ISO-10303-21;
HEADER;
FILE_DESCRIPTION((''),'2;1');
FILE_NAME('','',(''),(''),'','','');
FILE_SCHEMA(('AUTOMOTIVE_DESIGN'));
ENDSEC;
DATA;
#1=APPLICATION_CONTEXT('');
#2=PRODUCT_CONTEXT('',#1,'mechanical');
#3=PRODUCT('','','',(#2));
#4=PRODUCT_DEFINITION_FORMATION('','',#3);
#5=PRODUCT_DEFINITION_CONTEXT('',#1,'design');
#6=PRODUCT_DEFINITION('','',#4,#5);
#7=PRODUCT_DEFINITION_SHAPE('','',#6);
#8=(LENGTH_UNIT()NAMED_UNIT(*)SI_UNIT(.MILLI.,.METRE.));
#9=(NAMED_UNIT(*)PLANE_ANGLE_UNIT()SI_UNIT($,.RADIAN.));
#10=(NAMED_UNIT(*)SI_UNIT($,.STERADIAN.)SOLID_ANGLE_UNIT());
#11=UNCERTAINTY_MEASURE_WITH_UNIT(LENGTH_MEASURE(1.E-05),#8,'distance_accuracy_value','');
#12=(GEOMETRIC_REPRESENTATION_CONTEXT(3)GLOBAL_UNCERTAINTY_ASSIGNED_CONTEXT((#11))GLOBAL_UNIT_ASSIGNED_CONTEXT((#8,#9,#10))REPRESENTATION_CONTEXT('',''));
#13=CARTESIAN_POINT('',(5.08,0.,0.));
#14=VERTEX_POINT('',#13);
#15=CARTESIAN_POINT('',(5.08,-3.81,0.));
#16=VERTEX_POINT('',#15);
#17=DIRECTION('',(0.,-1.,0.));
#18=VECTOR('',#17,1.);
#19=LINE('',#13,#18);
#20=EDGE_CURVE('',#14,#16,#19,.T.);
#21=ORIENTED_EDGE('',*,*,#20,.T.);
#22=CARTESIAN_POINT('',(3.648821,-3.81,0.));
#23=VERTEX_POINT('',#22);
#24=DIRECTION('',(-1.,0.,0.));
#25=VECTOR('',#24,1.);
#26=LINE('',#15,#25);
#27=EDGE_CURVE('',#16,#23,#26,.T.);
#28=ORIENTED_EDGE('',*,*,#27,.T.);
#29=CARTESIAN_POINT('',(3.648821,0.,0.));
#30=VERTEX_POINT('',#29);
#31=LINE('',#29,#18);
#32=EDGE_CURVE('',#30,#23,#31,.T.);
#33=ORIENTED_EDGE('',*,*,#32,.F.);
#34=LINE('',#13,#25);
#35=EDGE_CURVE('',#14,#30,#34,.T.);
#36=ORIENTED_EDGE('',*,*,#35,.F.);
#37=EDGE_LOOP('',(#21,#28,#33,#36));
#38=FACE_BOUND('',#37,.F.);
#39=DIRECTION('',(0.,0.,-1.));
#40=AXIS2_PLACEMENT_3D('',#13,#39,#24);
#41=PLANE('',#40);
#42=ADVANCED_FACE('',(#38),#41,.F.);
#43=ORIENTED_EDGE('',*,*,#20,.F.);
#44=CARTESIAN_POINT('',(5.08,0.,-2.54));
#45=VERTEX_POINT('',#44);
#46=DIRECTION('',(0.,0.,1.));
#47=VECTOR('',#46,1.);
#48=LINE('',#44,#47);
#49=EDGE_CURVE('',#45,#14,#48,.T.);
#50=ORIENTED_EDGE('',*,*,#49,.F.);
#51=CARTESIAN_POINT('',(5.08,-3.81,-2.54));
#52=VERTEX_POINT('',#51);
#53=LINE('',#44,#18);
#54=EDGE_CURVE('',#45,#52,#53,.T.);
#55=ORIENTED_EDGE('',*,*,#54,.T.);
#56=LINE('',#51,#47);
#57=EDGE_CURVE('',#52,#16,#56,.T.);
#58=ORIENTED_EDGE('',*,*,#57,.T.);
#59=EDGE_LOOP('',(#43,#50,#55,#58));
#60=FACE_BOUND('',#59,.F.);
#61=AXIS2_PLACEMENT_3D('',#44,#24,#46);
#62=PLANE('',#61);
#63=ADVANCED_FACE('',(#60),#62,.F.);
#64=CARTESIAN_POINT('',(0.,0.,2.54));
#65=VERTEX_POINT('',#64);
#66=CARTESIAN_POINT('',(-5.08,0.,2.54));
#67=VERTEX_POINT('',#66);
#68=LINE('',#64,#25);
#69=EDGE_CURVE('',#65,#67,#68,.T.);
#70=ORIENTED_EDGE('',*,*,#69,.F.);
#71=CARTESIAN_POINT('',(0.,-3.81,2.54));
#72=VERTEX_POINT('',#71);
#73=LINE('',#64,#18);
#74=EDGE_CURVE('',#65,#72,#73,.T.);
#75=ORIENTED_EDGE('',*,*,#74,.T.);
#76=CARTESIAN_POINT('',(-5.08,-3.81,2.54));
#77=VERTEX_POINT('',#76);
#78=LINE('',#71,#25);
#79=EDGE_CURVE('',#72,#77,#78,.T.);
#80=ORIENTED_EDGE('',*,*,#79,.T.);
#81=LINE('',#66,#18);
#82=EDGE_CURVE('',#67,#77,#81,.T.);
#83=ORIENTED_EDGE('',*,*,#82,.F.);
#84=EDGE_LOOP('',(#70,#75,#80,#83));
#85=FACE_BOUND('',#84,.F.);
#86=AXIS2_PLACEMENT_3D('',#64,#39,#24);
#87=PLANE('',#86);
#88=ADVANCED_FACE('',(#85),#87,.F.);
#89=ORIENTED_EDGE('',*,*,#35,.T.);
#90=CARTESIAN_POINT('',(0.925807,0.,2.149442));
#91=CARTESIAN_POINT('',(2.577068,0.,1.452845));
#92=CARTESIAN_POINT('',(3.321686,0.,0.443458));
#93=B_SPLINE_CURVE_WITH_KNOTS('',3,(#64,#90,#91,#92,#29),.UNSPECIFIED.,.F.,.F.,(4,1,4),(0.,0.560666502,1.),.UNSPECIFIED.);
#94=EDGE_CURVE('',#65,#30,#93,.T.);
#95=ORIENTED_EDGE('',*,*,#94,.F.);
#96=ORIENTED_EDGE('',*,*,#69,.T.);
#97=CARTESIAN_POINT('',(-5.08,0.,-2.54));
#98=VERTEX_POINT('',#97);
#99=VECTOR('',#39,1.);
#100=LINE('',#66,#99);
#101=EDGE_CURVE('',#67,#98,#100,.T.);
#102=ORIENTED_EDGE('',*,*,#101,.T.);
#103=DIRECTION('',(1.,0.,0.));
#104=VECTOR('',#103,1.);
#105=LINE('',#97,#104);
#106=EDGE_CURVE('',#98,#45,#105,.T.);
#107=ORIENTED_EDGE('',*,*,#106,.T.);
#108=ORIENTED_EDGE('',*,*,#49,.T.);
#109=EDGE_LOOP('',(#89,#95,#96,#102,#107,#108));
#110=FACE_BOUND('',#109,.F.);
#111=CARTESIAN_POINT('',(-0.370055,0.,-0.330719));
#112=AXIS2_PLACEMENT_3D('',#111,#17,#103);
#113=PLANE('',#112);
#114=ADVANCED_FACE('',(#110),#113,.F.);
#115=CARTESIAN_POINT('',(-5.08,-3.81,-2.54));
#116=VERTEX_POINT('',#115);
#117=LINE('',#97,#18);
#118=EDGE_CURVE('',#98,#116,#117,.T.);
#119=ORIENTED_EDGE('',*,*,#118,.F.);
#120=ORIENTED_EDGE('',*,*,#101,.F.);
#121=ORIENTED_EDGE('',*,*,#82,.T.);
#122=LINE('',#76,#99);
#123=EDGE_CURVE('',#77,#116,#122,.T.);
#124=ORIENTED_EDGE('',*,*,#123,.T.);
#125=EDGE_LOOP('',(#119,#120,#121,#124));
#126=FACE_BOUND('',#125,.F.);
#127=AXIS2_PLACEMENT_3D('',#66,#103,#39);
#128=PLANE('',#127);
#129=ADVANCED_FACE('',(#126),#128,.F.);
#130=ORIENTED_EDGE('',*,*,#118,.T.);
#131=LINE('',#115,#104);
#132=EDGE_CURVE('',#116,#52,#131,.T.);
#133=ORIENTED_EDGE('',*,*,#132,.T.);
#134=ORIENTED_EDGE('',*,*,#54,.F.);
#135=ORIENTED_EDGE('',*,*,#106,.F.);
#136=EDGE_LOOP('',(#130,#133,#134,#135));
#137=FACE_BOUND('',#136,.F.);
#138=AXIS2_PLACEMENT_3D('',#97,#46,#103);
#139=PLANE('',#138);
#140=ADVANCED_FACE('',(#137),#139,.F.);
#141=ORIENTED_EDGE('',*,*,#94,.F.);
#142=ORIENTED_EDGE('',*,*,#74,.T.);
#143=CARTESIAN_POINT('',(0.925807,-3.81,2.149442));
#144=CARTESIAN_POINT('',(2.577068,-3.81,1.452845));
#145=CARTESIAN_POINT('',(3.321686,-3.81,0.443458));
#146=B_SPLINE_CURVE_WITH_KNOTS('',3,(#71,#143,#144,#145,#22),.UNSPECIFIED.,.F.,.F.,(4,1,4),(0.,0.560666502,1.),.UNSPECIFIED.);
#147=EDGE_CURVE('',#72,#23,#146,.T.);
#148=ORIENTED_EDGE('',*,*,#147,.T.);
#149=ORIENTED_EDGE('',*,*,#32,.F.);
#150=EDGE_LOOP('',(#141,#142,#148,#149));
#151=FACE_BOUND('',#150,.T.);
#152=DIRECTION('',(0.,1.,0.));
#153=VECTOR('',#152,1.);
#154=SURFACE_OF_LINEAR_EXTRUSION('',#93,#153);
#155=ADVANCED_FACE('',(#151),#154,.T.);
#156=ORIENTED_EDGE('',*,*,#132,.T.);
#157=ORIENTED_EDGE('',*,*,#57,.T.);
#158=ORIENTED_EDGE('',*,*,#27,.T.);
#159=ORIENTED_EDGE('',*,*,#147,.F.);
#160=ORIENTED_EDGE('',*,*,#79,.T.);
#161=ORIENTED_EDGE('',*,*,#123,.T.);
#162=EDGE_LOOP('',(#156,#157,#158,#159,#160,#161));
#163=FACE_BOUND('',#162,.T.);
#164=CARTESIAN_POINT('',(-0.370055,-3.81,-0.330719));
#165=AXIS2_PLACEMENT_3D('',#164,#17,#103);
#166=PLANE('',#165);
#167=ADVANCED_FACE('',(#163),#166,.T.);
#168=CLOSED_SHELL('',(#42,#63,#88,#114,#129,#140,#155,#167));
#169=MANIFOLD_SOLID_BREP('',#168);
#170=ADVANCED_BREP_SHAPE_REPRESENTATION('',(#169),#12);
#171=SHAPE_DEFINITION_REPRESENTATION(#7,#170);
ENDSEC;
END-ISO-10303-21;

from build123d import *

# Parameters (mm, degrees)
F1_DEPTH = 3.81


with BuildPart() as f1:
    # F0 (on Front) → F1 (new body)
    with BuildSketch(Plane.XZ):
        with BuildLine():
            Line((-5.08, 0), (-5.08, -2.54))
            Line((-5.08, -2.54), (5.08, -2.54))
            Line((5.08, -2.54), (5.08, 0))
            Line((5.08, 0), (3.6488212645, 0))
            add(Edge.make_bspline(
                [(0, 2.54), (0.9258067301, 2.1494416055), (2.5770675473, 1.4528449754), (3.3216856434, 0.4434575874), (3.6488212645, 0)],
                knots=[0, 0, 0, 0, 0.5606665022, 1, 1, 1, 1], degree=3))
            Line((0, 2.54), (-5.08, 2.54))
            Line((-5.08, 2.54), (-5.08, 0))
        make_face()
    extrude(amount=F1_DEPTH)


solid = f1.part
